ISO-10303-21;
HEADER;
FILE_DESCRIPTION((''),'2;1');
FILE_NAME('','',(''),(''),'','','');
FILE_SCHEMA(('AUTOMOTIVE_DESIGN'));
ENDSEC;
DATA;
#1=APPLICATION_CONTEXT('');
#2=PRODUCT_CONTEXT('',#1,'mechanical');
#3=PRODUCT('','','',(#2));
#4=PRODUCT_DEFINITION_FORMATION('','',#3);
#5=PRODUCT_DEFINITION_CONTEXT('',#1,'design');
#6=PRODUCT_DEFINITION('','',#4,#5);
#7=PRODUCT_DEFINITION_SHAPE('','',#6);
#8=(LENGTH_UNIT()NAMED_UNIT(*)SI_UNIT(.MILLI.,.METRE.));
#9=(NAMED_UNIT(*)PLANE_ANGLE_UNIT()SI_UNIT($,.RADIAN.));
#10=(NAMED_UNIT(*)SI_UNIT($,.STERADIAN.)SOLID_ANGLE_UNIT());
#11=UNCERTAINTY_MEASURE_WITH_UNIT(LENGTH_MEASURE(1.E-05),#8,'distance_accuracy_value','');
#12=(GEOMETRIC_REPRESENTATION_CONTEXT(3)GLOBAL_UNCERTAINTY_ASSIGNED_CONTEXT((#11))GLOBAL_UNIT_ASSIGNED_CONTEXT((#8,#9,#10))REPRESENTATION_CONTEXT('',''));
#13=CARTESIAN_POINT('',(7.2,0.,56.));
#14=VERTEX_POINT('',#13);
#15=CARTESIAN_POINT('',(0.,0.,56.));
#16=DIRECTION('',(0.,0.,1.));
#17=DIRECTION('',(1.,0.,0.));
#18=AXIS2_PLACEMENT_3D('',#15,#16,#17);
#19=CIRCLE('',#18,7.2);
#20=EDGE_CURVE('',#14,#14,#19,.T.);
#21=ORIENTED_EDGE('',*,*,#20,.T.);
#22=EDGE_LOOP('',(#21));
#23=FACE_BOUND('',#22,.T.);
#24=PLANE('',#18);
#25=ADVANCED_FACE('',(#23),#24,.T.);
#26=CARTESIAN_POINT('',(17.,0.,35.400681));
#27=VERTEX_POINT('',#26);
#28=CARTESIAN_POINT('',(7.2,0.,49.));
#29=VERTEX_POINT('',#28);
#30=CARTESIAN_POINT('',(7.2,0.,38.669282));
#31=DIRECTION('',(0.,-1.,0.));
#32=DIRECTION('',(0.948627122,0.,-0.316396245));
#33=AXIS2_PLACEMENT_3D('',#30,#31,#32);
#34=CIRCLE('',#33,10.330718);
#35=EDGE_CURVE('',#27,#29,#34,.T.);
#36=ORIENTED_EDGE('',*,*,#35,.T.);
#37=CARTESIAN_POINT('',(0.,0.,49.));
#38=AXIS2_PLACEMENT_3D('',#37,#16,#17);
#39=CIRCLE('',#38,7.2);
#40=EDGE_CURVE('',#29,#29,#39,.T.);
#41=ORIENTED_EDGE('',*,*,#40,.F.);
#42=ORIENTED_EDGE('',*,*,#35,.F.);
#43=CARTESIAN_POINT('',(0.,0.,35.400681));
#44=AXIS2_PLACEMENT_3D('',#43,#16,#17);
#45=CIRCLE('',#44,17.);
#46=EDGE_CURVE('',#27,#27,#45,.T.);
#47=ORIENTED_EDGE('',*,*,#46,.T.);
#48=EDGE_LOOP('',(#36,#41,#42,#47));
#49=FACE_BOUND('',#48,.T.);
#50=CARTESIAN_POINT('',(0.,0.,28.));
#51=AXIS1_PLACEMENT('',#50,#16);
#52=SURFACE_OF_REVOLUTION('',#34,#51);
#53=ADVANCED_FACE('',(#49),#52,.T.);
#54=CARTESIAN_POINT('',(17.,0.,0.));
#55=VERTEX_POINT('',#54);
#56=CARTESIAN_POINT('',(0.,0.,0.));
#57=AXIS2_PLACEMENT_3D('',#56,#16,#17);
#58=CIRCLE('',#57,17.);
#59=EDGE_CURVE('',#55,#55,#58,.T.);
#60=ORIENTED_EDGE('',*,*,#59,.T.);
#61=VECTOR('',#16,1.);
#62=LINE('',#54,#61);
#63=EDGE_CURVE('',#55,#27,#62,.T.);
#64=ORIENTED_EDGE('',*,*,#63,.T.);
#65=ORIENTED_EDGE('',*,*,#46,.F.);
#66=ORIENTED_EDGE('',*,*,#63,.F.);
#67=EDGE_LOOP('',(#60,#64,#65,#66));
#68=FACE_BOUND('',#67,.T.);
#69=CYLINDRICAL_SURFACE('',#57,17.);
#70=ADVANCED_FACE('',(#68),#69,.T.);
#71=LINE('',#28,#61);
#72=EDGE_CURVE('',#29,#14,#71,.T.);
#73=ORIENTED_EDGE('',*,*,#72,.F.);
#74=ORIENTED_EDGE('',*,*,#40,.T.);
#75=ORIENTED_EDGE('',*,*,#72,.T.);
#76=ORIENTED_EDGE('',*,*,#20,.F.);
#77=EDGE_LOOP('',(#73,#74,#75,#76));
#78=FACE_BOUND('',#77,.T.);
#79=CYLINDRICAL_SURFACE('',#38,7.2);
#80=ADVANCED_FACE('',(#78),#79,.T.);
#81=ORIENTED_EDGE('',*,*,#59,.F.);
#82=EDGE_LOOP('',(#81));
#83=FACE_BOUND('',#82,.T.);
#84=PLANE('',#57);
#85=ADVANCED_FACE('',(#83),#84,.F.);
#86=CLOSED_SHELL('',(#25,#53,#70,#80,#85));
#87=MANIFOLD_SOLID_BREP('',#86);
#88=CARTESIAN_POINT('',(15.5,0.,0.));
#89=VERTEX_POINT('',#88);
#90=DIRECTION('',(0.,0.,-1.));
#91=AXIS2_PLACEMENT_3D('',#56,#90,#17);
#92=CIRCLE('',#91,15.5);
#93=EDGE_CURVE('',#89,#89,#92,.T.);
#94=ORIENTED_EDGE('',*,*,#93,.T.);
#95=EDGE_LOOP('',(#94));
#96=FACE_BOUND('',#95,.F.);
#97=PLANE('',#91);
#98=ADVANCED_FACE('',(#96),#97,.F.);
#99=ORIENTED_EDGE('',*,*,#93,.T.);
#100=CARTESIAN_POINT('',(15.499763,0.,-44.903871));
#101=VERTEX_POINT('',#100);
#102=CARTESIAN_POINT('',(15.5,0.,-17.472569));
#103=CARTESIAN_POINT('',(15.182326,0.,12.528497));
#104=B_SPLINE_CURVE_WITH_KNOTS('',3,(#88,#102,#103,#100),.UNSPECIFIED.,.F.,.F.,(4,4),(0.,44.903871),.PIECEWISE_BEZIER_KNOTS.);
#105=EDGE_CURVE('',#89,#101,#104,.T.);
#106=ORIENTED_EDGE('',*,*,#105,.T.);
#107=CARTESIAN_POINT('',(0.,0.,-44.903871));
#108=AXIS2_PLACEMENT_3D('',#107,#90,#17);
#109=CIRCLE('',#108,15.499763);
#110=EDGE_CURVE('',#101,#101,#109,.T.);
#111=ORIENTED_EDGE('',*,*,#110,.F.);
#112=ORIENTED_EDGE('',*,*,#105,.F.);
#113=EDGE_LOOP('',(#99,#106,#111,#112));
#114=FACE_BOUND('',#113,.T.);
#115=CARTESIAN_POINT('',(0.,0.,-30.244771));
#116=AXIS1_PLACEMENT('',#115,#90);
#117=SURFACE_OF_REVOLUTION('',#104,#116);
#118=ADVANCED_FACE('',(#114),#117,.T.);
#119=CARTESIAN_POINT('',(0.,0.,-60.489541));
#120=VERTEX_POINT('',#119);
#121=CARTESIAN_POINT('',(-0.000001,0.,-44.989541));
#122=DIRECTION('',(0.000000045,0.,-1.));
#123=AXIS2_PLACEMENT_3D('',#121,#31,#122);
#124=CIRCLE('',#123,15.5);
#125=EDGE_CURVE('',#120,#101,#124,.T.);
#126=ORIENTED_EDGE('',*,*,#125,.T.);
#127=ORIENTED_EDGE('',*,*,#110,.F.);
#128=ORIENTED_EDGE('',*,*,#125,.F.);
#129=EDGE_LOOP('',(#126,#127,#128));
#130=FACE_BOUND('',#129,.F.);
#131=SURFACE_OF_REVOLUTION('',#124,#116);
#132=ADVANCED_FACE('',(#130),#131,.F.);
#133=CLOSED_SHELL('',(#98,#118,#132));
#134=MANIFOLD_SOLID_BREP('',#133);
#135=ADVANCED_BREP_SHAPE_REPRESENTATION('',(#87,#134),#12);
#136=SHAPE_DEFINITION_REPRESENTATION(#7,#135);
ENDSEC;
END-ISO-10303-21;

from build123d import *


with BuildPart() as f1:
    # F0 (on Front) → F1 (revolve)
    with BuildSketch(Plane.XZ):
        with BuildLine():
            Line((0, 56), (0, 0))
            Line((0, 0), (15.5, 0))
            Line((15.5, 0), (17, 0))
            Line((17, 0), (17, 35.400681))
            ThreePointArc((17, 35.400681), (15.581251, 44.709015), (7.2, 49))
            Line((7.2, 49), (7.2, 56))
            Line((7.2, 56), (0, 56))
        make_face()
    revolve(axis=Axis((0, 0, 28), (0, 0, 1)))


with BuildPart() as f2:
    # F0 (on Front) → F2 (revolve)
    with BuildSketch(Plane.XZ):
        with BuildLine():
            Line((15.5, 0), (0, 0))
            Line((0, 0), (0, -60.489541))
            ThreePointArc((0, -60.489541), (10.990402, -55.919365), (15.499763, -44.903871))
            add(Edge.make_bspline(
                [(15.5, 0), (15.5, -17.472569), (15.182326, 12.528497), (15.499763, -44.903871)],
                knots=[0, 0, 0, 0, 44.903871, 44.903871, 44.903871, 44.903871], degree=3))
        make_face()
    revolve(axis=Axis((0, 0, -30.244771), (0, 0, -1)))


solid = Compound([f1.part, f2.part])
